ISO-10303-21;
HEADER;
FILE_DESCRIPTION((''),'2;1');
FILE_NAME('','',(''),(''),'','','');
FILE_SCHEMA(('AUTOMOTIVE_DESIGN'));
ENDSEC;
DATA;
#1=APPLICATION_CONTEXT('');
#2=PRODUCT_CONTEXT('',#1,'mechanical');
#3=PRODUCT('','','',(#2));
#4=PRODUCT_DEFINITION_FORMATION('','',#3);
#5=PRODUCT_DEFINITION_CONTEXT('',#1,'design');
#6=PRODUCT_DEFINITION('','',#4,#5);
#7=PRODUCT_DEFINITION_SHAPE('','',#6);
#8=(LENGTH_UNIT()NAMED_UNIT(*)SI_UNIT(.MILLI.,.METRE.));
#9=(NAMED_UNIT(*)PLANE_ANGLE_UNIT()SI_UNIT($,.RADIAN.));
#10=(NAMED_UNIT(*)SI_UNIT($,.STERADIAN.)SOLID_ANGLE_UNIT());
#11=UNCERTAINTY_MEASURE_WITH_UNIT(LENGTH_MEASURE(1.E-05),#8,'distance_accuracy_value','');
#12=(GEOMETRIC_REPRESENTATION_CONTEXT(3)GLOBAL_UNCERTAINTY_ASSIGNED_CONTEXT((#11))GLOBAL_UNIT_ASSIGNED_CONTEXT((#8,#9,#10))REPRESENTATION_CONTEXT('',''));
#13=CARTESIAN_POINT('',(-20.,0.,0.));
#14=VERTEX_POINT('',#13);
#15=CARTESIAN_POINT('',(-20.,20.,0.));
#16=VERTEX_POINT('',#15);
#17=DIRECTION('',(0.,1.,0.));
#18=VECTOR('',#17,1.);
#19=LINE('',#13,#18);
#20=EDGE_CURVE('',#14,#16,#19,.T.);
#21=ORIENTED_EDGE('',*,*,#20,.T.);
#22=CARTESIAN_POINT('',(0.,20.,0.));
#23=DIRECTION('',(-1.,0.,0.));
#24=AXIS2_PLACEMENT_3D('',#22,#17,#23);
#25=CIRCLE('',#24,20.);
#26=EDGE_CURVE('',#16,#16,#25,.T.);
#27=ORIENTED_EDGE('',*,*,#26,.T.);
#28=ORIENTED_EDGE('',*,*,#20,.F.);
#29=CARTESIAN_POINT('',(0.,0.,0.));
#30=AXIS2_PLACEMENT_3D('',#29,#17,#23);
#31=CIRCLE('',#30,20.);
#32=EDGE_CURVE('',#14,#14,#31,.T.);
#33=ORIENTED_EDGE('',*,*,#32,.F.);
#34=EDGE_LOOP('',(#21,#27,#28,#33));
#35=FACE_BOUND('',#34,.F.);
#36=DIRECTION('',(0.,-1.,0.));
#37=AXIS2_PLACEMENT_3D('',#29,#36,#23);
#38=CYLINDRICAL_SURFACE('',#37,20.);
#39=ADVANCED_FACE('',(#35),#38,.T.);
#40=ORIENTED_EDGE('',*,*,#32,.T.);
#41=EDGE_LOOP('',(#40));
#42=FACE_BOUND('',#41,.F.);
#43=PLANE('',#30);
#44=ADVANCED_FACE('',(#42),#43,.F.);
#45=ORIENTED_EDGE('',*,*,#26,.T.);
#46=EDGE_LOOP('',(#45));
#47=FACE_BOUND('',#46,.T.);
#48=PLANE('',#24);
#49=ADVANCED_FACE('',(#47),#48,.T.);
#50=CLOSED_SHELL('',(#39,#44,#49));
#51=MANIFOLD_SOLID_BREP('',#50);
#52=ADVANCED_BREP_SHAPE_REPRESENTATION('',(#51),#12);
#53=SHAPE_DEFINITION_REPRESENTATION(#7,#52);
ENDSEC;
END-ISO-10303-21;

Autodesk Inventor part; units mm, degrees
ref_plane "YZ Plane" through (0, 0, 0) normal (1, 0, 0) x (0, 1, 0)
ref_plane "XZ Plane" through (0, 0, 0) normal (0, 1, 0) x (-1, 0, 0)
ref_plane "XY Plane" through (0, 0, 0) normal (0, 0, 1) x (1, 0, 0)
sketch "Skizze1" plane through (0, 0, 0) normal (0, 1, 0) x (-1, 0, 0)
  circle A0 centre (0, 0) radius 20
  dimension "d0" = 40
extrude "reifen_felge" add sketch "Skizze1" along normal blind 20
properties part number "reifen_felge"
